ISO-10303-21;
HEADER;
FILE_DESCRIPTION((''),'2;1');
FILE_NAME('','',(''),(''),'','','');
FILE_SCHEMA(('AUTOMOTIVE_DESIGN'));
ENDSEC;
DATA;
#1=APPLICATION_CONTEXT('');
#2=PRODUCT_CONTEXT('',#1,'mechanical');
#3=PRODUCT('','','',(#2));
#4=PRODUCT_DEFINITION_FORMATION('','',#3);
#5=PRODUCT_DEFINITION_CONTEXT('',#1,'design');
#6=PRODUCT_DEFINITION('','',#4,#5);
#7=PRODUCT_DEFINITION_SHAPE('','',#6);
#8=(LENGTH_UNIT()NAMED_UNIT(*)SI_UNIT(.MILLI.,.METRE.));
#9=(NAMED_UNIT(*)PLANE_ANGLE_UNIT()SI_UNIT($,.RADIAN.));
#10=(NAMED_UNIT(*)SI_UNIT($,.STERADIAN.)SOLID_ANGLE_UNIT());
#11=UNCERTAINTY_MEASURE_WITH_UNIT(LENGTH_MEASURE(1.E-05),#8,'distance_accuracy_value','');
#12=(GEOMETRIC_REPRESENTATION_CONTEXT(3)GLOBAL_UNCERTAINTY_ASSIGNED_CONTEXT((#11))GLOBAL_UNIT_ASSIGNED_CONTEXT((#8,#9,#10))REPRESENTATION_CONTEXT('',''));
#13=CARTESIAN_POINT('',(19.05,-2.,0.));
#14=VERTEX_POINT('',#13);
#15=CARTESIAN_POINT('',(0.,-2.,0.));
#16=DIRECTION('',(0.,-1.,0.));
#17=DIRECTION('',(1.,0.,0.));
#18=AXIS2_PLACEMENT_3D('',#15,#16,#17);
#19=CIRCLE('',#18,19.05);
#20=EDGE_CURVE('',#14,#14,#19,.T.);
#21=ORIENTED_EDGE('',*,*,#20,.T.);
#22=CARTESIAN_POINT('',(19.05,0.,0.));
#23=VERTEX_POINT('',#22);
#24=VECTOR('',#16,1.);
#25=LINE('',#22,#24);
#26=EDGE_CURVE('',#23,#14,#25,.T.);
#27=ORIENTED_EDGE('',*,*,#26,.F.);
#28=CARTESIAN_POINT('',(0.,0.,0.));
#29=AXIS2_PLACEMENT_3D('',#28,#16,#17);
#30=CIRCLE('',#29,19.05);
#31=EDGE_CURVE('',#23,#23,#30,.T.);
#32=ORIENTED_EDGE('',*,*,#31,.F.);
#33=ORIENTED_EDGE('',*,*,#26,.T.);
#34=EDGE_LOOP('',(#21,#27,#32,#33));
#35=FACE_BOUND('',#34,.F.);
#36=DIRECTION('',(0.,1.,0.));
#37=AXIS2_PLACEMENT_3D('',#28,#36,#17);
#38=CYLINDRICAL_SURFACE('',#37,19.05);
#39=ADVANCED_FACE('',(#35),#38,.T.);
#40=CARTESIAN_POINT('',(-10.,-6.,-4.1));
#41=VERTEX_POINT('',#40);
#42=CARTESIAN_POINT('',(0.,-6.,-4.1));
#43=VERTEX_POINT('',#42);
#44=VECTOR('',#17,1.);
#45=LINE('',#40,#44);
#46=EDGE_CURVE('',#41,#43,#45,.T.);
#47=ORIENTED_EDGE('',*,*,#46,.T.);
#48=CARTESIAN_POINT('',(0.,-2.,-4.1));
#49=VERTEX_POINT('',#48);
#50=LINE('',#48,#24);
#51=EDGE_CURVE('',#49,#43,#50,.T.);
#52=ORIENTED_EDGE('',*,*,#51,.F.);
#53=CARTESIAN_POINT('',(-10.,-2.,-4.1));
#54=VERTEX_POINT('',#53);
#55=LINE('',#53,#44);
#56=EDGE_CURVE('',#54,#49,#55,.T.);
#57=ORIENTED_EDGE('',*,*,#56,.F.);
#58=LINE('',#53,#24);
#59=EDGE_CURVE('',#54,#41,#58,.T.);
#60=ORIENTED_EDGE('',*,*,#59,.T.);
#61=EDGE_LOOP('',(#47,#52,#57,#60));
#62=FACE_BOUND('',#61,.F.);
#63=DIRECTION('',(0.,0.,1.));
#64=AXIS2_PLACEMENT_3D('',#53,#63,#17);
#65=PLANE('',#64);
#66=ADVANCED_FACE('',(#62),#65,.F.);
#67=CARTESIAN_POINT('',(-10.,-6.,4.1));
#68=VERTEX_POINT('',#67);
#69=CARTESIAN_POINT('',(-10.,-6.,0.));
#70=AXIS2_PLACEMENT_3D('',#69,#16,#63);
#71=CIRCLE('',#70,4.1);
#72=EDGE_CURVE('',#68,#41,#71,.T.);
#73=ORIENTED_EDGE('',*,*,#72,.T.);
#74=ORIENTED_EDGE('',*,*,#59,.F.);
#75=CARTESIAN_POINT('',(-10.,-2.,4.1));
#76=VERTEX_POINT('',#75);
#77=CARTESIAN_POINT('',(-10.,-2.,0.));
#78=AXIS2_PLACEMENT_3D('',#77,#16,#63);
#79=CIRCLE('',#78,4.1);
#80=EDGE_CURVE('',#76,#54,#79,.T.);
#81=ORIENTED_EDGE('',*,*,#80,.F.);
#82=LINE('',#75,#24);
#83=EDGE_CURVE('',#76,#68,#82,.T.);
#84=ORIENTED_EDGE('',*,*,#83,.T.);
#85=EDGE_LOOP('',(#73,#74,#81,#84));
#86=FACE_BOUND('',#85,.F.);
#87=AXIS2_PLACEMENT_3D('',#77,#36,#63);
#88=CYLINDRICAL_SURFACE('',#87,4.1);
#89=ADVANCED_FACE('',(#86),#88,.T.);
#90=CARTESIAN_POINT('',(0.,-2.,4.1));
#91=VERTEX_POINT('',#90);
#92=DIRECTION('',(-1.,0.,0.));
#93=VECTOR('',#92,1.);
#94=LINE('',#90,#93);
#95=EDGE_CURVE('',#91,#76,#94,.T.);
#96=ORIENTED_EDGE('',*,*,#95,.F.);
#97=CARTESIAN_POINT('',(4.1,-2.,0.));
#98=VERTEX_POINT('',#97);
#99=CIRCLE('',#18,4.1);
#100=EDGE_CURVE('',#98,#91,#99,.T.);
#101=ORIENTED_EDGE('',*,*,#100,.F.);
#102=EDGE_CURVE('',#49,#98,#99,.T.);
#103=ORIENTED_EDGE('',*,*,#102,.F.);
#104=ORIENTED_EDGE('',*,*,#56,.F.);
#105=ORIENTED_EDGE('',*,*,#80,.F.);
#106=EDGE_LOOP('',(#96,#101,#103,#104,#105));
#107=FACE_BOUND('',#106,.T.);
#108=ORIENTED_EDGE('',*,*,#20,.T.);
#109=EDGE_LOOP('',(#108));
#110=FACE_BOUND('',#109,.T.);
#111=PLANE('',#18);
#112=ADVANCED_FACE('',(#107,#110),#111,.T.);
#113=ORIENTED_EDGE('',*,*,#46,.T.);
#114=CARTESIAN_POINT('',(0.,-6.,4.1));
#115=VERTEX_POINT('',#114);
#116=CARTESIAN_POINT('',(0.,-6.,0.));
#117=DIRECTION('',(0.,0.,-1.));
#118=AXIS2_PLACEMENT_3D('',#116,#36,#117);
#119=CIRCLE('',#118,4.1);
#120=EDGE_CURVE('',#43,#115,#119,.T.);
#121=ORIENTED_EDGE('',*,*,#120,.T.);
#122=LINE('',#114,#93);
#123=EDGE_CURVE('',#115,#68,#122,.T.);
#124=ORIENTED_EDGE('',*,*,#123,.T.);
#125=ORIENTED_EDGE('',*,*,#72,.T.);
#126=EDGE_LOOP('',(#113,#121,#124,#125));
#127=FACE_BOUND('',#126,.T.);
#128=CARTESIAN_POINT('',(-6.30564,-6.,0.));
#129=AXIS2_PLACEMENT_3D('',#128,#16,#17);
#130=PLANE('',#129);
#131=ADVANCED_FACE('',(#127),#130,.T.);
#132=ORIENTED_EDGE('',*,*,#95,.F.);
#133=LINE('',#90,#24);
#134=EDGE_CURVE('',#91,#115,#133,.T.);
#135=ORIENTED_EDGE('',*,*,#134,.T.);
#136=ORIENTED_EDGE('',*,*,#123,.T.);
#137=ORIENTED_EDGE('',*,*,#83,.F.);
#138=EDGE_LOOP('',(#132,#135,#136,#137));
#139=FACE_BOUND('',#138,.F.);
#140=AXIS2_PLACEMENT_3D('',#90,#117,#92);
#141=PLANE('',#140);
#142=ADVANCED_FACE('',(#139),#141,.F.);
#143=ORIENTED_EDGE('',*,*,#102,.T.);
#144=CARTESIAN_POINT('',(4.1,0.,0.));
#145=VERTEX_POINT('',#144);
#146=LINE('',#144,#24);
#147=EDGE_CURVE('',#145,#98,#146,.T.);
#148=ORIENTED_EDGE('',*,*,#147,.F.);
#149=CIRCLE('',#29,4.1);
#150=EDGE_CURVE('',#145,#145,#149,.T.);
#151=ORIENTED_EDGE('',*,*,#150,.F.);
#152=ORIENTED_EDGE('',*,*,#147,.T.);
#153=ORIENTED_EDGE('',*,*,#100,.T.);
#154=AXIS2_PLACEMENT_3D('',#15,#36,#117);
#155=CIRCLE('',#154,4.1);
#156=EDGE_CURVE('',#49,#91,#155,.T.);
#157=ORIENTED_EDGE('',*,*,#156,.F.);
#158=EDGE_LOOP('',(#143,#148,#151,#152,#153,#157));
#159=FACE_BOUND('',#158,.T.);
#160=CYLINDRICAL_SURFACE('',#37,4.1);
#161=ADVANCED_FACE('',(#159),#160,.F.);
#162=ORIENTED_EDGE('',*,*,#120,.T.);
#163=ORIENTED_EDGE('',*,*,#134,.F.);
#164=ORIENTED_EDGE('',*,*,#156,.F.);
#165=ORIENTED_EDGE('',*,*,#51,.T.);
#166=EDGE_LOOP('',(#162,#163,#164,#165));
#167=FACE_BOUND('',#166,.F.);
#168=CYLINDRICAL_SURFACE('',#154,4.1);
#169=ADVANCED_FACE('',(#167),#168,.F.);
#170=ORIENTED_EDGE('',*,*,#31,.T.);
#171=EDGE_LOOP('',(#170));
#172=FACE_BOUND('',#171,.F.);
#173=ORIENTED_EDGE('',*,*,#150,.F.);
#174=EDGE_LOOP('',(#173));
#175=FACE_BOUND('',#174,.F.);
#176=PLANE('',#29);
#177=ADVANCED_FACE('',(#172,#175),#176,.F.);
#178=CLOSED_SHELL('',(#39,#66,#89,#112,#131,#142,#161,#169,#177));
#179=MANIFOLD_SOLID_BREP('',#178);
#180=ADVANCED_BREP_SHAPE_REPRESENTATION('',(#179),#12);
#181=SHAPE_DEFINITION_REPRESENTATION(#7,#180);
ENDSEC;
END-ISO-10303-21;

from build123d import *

# Parameters (mm, degrees)
F0_R     = 19.05
F0_R_2   = 4.1
F1_DEPTH = 2
F3_DEPTH = 4


with BuildPart() as f1:
    # F0 (on Front) → F1 (new body)
    with BuildSketch(Plane.XZ):
        Circle(F0_R)
        Circle(F0_R_2, mode=Mode.SUBTRACT)
    extrude(amount=F1_DEPTH)

    # F2 (on face) → F3 (join)
    with BuildSketch(Plane.XZ.offset(2)):
        with BuildLine():
            Line((-10, -4.1), (0, -4.1))
            ThreePointArc((0, -4.1), (-4.1, 0), (0, 4.1))
            Line((0, 4.1), (-10, 4.1))
            ThreePointArc((-10, 4.1), (-14.1, 0), (-10, -4.1))
        make_face()
    extrude(amount=F3_DEPTH)


solid = f1.part
